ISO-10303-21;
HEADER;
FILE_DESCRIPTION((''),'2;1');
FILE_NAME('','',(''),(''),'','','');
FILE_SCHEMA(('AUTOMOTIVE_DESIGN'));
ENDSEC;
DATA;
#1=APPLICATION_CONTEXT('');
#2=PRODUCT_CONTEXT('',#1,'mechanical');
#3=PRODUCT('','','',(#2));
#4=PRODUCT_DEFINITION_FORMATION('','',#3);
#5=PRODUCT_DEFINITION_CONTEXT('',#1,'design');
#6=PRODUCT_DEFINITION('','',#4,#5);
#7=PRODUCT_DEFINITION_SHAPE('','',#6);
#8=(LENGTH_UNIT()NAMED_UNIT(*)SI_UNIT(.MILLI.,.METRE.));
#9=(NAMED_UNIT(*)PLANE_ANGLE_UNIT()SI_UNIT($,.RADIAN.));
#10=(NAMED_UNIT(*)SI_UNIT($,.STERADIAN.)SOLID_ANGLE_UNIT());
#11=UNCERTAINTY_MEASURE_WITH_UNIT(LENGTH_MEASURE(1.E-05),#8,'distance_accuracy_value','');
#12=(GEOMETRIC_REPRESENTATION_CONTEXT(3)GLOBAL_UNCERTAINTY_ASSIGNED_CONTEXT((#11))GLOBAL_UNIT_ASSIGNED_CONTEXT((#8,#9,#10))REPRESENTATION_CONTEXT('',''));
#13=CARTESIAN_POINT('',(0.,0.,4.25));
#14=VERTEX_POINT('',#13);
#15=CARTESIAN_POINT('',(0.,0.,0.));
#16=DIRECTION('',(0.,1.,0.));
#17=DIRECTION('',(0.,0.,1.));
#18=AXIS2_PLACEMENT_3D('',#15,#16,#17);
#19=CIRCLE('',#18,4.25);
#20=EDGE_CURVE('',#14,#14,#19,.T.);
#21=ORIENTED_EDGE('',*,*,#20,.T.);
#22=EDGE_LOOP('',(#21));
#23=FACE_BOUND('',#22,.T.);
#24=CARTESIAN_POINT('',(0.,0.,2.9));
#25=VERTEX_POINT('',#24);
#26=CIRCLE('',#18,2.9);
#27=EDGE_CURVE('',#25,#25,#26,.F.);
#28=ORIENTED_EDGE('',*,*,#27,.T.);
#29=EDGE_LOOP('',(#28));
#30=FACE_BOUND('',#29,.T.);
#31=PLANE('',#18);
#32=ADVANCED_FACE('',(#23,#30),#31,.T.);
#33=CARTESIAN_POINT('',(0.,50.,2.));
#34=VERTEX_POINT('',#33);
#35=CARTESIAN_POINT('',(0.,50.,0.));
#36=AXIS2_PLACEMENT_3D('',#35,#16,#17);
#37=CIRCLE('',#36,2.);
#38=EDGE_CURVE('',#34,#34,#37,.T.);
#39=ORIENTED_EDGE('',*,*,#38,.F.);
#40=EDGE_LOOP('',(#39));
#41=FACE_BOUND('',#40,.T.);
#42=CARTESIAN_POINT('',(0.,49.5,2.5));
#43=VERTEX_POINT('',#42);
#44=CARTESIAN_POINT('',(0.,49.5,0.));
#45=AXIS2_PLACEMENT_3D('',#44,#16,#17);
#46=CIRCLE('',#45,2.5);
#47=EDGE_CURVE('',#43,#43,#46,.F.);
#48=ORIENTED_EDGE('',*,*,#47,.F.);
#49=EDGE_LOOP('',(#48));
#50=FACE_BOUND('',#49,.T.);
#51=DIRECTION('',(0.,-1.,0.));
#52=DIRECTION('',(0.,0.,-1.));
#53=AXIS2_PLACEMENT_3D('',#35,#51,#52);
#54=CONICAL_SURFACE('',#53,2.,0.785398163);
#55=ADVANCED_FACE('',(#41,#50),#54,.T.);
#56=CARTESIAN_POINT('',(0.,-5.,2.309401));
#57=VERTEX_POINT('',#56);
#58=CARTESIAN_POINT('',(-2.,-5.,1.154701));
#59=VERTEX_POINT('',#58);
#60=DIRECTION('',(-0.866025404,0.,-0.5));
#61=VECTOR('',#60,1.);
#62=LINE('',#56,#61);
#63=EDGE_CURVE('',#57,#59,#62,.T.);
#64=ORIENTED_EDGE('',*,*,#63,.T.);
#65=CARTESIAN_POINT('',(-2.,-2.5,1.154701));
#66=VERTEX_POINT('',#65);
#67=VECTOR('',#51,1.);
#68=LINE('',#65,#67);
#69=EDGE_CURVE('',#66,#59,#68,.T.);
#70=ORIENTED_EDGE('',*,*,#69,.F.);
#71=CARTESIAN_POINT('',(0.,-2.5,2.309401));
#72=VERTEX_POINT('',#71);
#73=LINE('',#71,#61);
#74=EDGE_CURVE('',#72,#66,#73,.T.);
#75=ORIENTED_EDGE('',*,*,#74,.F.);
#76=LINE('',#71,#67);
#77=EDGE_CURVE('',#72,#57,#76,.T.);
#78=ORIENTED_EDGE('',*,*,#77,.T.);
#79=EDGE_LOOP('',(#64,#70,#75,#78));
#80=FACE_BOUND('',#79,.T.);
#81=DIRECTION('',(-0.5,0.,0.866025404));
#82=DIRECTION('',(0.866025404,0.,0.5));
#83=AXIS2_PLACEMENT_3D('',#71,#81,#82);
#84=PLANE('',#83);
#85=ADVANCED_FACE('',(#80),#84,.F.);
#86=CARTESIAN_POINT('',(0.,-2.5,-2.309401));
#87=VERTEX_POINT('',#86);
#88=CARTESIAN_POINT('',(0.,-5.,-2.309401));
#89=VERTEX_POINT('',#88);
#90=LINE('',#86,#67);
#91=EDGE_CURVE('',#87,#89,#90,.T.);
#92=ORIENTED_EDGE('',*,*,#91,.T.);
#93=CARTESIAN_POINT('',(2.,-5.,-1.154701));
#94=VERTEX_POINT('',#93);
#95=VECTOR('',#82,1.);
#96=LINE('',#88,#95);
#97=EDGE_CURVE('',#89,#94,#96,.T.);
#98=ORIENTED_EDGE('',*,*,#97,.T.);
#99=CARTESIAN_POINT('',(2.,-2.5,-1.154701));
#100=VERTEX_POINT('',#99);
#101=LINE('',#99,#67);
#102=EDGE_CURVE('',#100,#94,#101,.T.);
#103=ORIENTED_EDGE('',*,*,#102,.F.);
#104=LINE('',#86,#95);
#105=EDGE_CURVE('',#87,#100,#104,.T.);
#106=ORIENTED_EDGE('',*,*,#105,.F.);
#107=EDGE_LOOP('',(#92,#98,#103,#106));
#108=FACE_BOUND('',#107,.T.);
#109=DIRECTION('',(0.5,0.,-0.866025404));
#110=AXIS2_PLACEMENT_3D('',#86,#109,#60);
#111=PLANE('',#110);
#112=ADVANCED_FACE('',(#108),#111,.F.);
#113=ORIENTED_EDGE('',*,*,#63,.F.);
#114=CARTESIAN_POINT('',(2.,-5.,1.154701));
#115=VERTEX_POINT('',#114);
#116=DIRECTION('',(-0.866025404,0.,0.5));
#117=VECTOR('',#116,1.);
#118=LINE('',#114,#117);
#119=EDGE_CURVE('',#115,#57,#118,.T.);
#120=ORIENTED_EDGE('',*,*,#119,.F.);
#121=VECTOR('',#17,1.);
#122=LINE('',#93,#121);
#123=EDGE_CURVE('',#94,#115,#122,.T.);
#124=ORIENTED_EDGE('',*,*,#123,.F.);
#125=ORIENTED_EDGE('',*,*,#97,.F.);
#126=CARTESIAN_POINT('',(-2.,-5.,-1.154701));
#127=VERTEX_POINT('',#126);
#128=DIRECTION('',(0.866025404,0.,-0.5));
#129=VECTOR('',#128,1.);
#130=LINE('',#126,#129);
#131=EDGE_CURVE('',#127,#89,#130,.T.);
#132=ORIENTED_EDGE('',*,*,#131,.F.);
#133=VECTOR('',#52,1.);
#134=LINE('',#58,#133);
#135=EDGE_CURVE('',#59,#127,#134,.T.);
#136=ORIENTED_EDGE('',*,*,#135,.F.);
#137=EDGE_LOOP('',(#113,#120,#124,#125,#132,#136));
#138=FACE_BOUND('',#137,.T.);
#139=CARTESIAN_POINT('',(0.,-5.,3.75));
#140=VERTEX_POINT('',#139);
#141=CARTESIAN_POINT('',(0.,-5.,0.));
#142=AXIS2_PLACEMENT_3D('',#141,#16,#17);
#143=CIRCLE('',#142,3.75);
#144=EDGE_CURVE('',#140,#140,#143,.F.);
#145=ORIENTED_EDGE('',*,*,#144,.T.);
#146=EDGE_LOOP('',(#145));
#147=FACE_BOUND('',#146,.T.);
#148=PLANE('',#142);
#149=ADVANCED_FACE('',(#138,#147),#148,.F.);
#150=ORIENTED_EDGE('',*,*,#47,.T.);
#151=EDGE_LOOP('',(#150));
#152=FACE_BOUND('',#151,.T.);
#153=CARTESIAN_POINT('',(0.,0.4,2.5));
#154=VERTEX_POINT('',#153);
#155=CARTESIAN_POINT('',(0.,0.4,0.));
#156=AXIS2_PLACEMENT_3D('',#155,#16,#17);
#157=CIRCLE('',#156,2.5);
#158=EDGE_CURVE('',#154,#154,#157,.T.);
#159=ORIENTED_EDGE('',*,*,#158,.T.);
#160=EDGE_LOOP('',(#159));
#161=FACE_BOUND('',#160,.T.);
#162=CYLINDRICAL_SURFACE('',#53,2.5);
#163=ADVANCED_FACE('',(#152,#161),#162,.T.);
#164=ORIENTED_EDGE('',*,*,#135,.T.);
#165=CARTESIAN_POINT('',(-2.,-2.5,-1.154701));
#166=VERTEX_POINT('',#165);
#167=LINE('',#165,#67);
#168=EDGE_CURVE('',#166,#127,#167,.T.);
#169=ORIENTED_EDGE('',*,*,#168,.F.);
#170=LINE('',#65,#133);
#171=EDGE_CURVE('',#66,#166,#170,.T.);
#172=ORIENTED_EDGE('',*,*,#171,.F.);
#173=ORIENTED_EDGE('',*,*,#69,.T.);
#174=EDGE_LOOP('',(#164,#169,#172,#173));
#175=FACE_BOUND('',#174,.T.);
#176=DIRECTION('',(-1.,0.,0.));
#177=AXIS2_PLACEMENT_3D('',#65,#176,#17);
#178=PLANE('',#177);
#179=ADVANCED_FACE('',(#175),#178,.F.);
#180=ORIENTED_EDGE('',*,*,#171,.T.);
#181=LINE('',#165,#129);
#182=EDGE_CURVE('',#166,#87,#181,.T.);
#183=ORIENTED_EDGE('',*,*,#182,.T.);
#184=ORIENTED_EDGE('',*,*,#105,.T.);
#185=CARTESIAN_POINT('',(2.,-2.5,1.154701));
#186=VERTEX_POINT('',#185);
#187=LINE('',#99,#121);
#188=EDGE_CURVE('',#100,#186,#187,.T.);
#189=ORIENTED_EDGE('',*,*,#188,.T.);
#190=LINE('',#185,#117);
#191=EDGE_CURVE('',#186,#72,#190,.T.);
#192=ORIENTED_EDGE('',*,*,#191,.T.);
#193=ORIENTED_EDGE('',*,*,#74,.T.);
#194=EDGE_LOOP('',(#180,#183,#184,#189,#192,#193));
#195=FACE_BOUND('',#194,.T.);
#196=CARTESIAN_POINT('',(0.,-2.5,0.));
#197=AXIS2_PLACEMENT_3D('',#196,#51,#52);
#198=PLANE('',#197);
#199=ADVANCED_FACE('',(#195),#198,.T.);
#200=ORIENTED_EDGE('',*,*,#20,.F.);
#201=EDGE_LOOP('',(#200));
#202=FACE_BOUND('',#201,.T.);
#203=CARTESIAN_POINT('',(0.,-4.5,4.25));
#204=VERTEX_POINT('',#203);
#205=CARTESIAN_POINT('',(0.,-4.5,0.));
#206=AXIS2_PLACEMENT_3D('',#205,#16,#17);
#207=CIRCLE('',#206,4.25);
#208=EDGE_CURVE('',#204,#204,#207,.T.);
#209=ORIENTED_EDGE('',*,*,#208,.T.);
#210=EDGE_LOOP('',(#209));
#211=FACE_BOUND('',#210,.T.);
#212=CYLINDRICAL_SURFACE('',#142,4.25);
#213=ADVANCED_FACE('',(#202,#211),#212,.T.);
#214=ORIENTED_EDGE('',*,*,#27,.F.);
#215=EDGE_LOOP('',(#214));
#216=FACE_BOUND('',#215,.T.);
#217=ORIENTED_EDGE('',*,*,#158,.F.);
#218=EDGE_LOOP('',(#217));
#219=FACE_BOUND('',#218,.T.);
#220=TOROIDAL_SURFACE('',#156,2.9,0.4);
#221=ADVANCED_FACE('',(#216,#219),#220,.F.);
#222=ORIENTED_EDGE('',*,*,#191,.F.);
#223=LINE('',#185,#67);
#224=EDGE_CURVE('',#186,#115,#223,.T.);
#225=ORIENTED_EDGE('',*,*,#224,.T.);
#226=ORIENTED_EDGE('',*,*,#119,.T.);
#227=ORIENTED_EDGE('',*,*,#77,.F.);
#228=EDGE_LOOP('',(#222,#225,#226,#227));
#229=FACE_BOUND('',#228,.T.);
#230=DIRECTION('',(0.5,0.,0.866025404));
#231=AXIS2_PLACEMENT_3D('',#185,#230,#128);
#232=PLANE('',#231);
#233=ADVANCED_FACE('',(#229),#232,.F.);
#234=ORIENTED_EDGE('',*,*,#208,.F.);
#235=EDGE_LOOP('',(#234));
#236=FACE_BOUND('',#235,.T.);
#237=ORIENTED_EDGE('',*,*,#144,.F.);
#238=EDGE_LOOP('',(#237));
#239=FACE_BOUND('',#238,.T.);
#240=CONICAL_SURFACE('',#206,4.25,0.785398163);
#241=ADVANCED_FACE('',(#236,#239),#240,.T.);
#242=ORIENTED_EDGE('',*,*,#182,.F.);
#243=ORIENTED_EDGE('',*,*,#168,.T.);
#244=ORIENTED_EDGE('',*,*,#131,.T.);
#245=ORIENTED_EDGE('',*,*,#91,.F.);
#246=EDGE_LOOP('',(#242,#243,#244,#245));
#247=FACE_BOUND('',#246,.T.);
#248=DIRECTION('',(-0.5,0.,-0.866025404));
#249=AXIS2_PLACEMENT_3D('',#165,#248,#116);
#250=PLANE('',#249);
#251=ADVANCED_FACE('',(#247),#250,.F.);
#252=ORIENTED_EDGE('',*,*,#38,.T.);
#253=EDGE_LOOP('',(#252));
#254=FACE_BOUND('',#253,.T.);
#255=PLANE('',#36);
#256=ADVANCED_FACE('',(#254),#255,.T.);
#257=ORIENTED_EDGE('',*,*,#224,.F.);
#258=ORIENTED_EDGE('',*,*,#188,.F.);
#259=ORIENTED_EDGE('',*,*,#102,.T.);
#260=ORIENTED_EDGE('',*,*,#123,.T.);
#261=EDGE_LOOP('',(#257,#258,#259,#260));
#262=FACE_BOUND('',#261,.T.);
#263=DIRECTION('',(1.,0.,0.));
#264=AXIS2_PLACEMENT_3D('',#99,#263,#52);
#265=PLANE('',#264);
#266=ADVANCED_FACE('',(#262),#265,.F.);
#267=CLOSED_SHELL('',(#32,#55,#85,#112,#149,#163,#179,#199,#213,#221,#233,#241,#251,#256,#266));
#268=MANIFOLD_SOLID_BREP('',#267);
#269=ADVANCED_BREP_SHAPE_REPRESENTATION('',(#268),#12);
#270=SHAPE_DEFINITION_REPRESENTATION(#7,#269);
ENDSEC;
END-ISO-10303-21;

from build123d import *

# Parameters (mm, degrees)
SKETCH2_R           = 2.5
BOSS_EXTRUDE1_DEPTH = 50
SKETCH3_R           = 4.25
BOSS_EXTRUDE2_DEPTH = 5
FILLET1_R           = 0.4
CHAMFER1_SIZE       = 0.5
CUT_EXTRUDE1_DEPTH  = 2.5


with BuildPart() as part:
    # Sketch2 → Boss-Extrude1 (new body)
    with BuildSketch(Plane(origin=(0, 0, 0), x_dir=(1, 0, 0), z_dir=(0, 1, 0))):
        with Locations(Location((0, 0, 0), (0, 0, 270))):
            Circle(SKETCH2_R)
    extrude(amount=BOSS_EXTRUDE1_DEPTH)

    # Sketch3 → Boss-Extrude2 (add)
    with BuildSketch(Plane(origin=(0, 0, 0), x_dir=(1, 0, 0), z_dir=(0, 1, 0))):
        with Locations(Location((0, 0, 0), (0, 0, 270))):
            Circle(SKETCH3_R)
    extrude(amount=-BOSS_EXTRUDE2_DEPTH)

    # Fillet1
    fillet1_edges = [part.edges().sort_by_distance(p)[0] for p in [
        (0, 0, -2.5),
    ]]
    fillet(fillet1_edges, radius=FILLET1_R)

    # Chamfer1
    chamfer1_edges = [part.edges().sort_by_distance(p)[0] for p in [
        (0, 50, -2.5),
        (0, -5, -4.25),
    ]]
    chamfer(chamfer1_edges, length=CHAMFER1_SIZE)

    # Sketch4 → Cut-Extrude1 (cut)
    with BuildSketch(Plane.XZ.offset(5)):
        Polygon((0, 2.309401077), (-2, 1.154700538), (-2, -1.154700538), (0, -2.309401077), (2, -1.154700538), (2, 1.154700538), align=None)
    extrude(amount=-CUT_EXTRUDE1_DEPTH, mode=Mode.SUBTRACT)


solid = part.part
